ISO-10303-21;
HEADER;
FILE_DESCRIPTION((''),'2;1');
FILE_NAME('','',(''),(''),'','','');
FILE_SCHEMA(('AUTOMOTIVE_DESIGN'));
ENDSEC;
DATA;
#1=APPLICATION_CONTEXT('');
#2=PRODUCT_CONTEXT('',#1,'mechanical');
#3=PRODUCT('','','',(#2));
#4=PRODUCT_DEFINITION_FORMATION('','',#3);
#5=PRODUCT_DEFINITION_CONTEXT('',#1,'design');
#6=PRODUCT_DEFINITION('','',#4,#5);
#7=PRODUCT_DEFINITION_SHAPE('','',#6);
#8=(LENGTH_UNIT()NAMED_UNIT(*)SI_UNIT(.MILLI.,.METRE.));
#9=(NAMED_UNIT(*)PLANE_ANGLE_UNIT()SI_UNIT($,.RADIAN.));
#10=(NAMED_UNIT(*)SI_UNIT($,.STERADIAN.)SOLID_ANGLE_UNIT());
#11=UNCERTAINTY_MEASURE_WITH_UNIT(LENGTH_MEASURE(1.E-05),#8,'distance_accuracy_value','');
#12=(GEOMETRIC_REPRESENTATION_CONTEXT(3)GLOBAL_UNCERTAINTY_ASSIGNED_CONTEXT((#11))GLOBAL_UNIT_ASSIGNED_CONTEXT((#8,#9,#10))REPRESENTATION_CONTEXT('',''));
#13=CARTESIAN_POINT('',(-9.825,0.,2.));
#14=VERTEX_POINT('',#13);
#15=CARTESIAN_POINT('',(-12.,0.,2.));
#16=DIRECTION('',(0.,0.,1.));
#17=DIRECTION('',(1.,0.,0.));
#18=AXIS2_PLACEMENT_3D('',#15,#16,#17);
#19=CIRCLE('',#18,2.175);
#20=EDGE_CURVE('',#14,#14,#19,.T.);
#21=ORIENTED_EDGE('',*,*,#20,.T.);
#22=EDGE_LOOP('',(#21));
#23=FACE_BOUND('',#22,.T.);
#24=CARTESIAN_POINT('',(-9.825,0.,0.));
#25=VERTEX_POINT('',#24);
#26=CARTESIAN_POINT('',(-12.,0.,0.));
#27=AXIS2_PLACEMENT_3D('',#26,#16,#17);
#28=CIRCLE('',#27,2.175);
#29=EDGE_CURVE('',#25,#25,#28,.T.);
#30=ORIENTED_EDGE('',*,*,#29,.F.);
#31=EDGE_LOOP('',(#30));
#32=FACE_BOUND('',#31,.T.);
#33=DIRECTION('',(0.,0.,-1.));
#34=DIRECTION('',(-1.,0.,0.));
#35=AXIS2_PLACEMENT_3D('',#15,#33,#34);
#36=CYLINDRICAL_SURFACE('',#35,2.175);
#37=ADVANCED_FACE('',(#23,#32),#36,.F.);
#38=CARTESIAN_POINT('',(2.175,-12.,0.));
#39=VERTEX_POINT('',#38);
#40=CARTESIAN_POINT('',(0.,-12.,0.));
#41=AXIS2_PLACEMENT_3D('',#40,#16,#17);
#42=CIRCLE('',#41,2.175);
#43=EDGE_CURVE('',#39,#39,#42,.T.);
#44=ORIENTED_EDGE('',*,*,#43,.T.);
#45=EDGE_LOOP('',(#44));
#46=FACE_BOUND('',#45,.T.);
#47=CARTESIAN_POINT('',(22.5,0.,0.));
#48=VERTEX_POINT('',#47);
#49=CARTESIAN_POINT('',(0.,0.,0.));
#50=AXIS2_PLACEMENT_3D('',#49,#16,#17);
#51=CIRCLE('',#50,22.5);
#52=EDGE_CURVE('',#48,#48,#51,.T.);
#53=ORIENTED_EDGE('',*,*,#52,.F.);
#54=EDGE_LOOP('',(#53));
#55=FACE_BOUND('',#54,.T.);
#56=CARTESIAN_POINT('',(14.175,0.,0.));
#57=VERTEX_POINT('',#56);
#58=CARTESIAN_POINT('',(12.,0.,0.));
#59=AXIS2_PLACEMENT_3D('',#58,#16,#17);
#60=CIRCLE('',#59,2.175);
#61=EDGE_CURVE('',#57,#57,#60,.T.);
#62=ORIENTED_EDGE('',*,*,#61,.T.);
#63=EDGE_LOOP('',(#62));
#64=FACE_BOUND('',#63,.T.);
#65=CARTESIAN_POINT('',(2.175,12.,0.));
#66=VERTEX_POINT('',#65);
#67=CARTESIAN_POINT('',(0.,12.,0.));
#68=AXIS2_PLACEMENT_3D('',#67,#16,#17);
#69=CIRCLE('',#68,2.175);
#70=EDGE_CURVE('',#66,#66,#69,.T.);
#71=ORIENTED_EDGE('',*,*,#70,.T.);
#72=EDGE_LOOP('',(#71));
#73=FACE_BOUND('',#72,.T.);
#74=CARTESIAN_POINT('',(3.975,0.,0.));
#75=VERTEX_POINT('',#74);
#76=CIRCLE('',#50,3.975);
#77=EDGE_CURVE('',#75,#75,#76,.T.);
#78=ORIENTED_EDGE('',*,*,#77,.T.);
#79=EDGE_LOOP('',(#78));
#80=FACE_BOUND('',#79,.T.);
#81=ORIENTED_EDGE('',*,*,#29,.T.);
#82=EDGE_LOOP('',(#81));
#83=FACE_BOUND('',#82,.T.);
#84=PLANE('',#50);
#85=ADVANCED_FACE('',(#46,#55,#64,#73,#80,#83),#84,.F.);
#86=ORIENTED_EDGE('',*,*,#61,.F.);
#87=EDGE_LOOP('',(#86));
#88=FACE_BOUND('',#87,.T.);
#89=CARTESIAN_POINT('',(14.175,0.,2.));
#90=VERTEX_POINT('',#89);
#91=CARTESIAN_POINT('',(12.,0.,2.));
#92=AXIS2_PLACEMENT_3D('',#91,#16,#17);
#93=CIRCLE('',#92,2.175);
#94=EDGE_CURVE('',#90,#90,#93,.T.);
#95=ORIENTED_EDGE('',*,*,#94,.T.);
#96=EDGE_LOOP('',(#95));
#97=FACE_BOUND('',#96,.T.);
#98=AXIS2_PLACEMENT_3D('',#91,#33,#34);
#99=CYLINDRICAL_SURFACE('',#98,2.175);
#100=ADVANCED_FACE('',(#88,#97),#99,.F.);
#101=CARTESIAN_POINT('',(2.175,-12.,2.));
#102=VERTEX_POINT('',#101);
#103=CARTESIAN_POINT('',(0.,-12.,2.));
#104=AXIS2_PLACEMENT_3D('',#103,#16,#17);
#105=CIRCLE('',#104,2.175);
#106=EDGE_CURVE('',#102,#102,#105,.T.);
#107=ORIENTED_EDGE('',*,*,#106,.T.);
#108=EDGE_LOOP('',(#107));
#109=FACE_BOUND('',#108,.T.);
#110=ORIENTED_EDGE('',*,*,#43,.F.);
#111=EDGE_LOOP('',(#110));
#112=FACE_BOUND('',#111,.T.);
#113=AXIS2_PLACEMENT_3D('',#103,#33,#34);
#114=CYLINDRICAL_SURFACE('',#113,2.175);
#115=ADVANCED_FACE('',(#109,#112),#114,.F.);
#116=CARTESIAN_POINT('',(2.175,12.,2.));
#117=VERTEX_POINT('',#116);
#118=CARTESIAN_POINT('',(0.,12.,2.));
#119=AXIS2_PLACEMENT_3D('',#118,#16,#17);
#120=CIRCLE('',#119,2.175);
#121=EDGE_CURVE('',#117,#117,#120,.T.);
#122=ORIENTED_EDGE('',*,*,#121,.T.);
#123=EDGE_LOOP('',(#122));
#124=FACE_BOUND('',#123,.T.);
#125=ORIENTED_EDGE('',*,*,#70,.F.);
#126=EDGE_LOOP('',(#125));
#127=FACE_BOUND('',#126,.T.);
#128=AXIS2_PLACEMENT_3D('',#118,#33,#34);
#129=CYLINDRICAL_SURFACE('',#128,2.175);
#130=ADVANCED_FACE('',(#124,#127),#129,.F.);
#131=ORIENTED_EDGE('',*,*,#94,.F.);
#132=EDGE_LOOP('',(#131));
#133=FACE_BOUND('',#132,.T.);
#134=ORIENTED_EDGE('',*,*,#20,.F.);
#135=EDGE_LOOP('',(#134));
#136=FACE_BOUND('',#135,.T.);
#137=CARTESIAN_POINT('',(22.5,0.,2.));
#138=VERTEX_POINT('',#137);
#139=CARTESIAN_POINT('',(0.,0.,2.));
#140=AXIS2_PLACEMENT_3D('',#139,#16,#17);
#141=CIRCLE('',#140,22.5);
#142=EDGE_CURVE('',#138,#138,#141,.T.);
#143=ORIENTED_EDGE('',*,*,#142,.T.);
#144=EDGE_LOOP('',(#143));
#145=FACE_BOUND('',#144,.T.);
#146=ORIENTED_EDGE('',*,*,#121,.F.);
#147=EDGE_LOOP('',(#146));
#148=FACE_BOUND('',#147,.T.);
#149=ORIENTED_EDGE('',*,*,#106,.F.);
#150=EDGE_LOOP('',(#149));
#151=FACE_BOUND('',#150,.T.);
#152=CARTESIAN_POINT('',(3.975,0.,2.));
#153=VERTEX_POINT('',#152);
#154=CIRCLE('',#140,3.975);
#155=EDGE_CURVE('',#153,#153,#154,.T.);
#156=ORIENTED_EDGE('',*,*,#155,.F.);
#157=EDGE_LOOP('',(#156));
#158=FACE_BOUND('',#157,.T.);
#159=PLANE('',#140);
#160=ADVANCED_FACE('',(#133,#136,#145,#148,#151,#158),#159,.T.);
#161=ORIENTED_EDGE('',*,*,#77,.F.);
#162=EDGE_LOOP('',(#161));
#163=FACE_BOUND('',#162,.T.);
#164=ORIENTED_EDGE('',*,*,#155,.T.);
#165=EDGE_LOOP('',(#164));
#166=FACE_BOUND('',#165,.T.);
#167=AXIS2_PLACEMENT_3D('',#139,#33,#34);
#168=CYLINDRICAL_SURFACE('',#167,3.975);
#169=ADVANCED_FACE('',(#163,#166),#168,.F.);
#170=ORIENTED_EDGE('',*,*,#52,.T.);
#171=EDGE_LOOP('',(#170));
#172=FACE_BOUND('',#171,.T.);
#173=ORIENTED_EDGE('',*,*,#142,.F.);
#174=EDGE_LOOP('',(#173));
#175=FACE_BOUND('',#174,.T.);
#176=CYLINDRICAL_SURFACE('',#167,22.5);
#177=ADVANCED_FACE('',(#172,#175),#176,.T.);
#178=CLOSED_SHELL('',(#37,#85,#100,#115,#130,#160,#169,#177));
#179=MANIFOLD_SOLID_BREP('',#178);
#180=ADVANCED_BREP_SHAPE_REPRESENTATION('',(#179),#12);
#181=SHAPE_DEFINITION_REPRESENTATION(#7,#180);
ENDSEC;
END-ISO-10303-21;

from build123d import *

# Parameters (mm, degrees)
SKETCH1_R           = 22.5
SKETCH1_R_2         = 2.175
SKETCH1_R_3         = 3.975
BOSS_EXTRUDE1_DEPTH = 2


with BuildPart() as part:
    # Sketch1 → Boss-Extrude1 (new body)
    with BuildSketch(Plane.XY):
        Circle(SKETCH1_R)
        with Locations((12, 0)):
            Circle(SKETCH1_R_2, mode=Mode.SUBTRACT)
        with Locations((0, 12)):
            Circle(SKETCH1_R_2, mode=Mode.SUBTRACT)
        with Locations((-12, 0)):
            Circle(SKETCH1_R_2, mode=Mode.SUBTRACT)
        with Locations((0, -12)):
            Circle(SKETCH1_R_2, mode=Mode.SUBTRACT)
        Circle(SKETCH1_R_3, mode=Mode.SUBTRACT)
    extrude(amount=BOSS_EXTRUDE1_DEPTH)


solid = part.part
